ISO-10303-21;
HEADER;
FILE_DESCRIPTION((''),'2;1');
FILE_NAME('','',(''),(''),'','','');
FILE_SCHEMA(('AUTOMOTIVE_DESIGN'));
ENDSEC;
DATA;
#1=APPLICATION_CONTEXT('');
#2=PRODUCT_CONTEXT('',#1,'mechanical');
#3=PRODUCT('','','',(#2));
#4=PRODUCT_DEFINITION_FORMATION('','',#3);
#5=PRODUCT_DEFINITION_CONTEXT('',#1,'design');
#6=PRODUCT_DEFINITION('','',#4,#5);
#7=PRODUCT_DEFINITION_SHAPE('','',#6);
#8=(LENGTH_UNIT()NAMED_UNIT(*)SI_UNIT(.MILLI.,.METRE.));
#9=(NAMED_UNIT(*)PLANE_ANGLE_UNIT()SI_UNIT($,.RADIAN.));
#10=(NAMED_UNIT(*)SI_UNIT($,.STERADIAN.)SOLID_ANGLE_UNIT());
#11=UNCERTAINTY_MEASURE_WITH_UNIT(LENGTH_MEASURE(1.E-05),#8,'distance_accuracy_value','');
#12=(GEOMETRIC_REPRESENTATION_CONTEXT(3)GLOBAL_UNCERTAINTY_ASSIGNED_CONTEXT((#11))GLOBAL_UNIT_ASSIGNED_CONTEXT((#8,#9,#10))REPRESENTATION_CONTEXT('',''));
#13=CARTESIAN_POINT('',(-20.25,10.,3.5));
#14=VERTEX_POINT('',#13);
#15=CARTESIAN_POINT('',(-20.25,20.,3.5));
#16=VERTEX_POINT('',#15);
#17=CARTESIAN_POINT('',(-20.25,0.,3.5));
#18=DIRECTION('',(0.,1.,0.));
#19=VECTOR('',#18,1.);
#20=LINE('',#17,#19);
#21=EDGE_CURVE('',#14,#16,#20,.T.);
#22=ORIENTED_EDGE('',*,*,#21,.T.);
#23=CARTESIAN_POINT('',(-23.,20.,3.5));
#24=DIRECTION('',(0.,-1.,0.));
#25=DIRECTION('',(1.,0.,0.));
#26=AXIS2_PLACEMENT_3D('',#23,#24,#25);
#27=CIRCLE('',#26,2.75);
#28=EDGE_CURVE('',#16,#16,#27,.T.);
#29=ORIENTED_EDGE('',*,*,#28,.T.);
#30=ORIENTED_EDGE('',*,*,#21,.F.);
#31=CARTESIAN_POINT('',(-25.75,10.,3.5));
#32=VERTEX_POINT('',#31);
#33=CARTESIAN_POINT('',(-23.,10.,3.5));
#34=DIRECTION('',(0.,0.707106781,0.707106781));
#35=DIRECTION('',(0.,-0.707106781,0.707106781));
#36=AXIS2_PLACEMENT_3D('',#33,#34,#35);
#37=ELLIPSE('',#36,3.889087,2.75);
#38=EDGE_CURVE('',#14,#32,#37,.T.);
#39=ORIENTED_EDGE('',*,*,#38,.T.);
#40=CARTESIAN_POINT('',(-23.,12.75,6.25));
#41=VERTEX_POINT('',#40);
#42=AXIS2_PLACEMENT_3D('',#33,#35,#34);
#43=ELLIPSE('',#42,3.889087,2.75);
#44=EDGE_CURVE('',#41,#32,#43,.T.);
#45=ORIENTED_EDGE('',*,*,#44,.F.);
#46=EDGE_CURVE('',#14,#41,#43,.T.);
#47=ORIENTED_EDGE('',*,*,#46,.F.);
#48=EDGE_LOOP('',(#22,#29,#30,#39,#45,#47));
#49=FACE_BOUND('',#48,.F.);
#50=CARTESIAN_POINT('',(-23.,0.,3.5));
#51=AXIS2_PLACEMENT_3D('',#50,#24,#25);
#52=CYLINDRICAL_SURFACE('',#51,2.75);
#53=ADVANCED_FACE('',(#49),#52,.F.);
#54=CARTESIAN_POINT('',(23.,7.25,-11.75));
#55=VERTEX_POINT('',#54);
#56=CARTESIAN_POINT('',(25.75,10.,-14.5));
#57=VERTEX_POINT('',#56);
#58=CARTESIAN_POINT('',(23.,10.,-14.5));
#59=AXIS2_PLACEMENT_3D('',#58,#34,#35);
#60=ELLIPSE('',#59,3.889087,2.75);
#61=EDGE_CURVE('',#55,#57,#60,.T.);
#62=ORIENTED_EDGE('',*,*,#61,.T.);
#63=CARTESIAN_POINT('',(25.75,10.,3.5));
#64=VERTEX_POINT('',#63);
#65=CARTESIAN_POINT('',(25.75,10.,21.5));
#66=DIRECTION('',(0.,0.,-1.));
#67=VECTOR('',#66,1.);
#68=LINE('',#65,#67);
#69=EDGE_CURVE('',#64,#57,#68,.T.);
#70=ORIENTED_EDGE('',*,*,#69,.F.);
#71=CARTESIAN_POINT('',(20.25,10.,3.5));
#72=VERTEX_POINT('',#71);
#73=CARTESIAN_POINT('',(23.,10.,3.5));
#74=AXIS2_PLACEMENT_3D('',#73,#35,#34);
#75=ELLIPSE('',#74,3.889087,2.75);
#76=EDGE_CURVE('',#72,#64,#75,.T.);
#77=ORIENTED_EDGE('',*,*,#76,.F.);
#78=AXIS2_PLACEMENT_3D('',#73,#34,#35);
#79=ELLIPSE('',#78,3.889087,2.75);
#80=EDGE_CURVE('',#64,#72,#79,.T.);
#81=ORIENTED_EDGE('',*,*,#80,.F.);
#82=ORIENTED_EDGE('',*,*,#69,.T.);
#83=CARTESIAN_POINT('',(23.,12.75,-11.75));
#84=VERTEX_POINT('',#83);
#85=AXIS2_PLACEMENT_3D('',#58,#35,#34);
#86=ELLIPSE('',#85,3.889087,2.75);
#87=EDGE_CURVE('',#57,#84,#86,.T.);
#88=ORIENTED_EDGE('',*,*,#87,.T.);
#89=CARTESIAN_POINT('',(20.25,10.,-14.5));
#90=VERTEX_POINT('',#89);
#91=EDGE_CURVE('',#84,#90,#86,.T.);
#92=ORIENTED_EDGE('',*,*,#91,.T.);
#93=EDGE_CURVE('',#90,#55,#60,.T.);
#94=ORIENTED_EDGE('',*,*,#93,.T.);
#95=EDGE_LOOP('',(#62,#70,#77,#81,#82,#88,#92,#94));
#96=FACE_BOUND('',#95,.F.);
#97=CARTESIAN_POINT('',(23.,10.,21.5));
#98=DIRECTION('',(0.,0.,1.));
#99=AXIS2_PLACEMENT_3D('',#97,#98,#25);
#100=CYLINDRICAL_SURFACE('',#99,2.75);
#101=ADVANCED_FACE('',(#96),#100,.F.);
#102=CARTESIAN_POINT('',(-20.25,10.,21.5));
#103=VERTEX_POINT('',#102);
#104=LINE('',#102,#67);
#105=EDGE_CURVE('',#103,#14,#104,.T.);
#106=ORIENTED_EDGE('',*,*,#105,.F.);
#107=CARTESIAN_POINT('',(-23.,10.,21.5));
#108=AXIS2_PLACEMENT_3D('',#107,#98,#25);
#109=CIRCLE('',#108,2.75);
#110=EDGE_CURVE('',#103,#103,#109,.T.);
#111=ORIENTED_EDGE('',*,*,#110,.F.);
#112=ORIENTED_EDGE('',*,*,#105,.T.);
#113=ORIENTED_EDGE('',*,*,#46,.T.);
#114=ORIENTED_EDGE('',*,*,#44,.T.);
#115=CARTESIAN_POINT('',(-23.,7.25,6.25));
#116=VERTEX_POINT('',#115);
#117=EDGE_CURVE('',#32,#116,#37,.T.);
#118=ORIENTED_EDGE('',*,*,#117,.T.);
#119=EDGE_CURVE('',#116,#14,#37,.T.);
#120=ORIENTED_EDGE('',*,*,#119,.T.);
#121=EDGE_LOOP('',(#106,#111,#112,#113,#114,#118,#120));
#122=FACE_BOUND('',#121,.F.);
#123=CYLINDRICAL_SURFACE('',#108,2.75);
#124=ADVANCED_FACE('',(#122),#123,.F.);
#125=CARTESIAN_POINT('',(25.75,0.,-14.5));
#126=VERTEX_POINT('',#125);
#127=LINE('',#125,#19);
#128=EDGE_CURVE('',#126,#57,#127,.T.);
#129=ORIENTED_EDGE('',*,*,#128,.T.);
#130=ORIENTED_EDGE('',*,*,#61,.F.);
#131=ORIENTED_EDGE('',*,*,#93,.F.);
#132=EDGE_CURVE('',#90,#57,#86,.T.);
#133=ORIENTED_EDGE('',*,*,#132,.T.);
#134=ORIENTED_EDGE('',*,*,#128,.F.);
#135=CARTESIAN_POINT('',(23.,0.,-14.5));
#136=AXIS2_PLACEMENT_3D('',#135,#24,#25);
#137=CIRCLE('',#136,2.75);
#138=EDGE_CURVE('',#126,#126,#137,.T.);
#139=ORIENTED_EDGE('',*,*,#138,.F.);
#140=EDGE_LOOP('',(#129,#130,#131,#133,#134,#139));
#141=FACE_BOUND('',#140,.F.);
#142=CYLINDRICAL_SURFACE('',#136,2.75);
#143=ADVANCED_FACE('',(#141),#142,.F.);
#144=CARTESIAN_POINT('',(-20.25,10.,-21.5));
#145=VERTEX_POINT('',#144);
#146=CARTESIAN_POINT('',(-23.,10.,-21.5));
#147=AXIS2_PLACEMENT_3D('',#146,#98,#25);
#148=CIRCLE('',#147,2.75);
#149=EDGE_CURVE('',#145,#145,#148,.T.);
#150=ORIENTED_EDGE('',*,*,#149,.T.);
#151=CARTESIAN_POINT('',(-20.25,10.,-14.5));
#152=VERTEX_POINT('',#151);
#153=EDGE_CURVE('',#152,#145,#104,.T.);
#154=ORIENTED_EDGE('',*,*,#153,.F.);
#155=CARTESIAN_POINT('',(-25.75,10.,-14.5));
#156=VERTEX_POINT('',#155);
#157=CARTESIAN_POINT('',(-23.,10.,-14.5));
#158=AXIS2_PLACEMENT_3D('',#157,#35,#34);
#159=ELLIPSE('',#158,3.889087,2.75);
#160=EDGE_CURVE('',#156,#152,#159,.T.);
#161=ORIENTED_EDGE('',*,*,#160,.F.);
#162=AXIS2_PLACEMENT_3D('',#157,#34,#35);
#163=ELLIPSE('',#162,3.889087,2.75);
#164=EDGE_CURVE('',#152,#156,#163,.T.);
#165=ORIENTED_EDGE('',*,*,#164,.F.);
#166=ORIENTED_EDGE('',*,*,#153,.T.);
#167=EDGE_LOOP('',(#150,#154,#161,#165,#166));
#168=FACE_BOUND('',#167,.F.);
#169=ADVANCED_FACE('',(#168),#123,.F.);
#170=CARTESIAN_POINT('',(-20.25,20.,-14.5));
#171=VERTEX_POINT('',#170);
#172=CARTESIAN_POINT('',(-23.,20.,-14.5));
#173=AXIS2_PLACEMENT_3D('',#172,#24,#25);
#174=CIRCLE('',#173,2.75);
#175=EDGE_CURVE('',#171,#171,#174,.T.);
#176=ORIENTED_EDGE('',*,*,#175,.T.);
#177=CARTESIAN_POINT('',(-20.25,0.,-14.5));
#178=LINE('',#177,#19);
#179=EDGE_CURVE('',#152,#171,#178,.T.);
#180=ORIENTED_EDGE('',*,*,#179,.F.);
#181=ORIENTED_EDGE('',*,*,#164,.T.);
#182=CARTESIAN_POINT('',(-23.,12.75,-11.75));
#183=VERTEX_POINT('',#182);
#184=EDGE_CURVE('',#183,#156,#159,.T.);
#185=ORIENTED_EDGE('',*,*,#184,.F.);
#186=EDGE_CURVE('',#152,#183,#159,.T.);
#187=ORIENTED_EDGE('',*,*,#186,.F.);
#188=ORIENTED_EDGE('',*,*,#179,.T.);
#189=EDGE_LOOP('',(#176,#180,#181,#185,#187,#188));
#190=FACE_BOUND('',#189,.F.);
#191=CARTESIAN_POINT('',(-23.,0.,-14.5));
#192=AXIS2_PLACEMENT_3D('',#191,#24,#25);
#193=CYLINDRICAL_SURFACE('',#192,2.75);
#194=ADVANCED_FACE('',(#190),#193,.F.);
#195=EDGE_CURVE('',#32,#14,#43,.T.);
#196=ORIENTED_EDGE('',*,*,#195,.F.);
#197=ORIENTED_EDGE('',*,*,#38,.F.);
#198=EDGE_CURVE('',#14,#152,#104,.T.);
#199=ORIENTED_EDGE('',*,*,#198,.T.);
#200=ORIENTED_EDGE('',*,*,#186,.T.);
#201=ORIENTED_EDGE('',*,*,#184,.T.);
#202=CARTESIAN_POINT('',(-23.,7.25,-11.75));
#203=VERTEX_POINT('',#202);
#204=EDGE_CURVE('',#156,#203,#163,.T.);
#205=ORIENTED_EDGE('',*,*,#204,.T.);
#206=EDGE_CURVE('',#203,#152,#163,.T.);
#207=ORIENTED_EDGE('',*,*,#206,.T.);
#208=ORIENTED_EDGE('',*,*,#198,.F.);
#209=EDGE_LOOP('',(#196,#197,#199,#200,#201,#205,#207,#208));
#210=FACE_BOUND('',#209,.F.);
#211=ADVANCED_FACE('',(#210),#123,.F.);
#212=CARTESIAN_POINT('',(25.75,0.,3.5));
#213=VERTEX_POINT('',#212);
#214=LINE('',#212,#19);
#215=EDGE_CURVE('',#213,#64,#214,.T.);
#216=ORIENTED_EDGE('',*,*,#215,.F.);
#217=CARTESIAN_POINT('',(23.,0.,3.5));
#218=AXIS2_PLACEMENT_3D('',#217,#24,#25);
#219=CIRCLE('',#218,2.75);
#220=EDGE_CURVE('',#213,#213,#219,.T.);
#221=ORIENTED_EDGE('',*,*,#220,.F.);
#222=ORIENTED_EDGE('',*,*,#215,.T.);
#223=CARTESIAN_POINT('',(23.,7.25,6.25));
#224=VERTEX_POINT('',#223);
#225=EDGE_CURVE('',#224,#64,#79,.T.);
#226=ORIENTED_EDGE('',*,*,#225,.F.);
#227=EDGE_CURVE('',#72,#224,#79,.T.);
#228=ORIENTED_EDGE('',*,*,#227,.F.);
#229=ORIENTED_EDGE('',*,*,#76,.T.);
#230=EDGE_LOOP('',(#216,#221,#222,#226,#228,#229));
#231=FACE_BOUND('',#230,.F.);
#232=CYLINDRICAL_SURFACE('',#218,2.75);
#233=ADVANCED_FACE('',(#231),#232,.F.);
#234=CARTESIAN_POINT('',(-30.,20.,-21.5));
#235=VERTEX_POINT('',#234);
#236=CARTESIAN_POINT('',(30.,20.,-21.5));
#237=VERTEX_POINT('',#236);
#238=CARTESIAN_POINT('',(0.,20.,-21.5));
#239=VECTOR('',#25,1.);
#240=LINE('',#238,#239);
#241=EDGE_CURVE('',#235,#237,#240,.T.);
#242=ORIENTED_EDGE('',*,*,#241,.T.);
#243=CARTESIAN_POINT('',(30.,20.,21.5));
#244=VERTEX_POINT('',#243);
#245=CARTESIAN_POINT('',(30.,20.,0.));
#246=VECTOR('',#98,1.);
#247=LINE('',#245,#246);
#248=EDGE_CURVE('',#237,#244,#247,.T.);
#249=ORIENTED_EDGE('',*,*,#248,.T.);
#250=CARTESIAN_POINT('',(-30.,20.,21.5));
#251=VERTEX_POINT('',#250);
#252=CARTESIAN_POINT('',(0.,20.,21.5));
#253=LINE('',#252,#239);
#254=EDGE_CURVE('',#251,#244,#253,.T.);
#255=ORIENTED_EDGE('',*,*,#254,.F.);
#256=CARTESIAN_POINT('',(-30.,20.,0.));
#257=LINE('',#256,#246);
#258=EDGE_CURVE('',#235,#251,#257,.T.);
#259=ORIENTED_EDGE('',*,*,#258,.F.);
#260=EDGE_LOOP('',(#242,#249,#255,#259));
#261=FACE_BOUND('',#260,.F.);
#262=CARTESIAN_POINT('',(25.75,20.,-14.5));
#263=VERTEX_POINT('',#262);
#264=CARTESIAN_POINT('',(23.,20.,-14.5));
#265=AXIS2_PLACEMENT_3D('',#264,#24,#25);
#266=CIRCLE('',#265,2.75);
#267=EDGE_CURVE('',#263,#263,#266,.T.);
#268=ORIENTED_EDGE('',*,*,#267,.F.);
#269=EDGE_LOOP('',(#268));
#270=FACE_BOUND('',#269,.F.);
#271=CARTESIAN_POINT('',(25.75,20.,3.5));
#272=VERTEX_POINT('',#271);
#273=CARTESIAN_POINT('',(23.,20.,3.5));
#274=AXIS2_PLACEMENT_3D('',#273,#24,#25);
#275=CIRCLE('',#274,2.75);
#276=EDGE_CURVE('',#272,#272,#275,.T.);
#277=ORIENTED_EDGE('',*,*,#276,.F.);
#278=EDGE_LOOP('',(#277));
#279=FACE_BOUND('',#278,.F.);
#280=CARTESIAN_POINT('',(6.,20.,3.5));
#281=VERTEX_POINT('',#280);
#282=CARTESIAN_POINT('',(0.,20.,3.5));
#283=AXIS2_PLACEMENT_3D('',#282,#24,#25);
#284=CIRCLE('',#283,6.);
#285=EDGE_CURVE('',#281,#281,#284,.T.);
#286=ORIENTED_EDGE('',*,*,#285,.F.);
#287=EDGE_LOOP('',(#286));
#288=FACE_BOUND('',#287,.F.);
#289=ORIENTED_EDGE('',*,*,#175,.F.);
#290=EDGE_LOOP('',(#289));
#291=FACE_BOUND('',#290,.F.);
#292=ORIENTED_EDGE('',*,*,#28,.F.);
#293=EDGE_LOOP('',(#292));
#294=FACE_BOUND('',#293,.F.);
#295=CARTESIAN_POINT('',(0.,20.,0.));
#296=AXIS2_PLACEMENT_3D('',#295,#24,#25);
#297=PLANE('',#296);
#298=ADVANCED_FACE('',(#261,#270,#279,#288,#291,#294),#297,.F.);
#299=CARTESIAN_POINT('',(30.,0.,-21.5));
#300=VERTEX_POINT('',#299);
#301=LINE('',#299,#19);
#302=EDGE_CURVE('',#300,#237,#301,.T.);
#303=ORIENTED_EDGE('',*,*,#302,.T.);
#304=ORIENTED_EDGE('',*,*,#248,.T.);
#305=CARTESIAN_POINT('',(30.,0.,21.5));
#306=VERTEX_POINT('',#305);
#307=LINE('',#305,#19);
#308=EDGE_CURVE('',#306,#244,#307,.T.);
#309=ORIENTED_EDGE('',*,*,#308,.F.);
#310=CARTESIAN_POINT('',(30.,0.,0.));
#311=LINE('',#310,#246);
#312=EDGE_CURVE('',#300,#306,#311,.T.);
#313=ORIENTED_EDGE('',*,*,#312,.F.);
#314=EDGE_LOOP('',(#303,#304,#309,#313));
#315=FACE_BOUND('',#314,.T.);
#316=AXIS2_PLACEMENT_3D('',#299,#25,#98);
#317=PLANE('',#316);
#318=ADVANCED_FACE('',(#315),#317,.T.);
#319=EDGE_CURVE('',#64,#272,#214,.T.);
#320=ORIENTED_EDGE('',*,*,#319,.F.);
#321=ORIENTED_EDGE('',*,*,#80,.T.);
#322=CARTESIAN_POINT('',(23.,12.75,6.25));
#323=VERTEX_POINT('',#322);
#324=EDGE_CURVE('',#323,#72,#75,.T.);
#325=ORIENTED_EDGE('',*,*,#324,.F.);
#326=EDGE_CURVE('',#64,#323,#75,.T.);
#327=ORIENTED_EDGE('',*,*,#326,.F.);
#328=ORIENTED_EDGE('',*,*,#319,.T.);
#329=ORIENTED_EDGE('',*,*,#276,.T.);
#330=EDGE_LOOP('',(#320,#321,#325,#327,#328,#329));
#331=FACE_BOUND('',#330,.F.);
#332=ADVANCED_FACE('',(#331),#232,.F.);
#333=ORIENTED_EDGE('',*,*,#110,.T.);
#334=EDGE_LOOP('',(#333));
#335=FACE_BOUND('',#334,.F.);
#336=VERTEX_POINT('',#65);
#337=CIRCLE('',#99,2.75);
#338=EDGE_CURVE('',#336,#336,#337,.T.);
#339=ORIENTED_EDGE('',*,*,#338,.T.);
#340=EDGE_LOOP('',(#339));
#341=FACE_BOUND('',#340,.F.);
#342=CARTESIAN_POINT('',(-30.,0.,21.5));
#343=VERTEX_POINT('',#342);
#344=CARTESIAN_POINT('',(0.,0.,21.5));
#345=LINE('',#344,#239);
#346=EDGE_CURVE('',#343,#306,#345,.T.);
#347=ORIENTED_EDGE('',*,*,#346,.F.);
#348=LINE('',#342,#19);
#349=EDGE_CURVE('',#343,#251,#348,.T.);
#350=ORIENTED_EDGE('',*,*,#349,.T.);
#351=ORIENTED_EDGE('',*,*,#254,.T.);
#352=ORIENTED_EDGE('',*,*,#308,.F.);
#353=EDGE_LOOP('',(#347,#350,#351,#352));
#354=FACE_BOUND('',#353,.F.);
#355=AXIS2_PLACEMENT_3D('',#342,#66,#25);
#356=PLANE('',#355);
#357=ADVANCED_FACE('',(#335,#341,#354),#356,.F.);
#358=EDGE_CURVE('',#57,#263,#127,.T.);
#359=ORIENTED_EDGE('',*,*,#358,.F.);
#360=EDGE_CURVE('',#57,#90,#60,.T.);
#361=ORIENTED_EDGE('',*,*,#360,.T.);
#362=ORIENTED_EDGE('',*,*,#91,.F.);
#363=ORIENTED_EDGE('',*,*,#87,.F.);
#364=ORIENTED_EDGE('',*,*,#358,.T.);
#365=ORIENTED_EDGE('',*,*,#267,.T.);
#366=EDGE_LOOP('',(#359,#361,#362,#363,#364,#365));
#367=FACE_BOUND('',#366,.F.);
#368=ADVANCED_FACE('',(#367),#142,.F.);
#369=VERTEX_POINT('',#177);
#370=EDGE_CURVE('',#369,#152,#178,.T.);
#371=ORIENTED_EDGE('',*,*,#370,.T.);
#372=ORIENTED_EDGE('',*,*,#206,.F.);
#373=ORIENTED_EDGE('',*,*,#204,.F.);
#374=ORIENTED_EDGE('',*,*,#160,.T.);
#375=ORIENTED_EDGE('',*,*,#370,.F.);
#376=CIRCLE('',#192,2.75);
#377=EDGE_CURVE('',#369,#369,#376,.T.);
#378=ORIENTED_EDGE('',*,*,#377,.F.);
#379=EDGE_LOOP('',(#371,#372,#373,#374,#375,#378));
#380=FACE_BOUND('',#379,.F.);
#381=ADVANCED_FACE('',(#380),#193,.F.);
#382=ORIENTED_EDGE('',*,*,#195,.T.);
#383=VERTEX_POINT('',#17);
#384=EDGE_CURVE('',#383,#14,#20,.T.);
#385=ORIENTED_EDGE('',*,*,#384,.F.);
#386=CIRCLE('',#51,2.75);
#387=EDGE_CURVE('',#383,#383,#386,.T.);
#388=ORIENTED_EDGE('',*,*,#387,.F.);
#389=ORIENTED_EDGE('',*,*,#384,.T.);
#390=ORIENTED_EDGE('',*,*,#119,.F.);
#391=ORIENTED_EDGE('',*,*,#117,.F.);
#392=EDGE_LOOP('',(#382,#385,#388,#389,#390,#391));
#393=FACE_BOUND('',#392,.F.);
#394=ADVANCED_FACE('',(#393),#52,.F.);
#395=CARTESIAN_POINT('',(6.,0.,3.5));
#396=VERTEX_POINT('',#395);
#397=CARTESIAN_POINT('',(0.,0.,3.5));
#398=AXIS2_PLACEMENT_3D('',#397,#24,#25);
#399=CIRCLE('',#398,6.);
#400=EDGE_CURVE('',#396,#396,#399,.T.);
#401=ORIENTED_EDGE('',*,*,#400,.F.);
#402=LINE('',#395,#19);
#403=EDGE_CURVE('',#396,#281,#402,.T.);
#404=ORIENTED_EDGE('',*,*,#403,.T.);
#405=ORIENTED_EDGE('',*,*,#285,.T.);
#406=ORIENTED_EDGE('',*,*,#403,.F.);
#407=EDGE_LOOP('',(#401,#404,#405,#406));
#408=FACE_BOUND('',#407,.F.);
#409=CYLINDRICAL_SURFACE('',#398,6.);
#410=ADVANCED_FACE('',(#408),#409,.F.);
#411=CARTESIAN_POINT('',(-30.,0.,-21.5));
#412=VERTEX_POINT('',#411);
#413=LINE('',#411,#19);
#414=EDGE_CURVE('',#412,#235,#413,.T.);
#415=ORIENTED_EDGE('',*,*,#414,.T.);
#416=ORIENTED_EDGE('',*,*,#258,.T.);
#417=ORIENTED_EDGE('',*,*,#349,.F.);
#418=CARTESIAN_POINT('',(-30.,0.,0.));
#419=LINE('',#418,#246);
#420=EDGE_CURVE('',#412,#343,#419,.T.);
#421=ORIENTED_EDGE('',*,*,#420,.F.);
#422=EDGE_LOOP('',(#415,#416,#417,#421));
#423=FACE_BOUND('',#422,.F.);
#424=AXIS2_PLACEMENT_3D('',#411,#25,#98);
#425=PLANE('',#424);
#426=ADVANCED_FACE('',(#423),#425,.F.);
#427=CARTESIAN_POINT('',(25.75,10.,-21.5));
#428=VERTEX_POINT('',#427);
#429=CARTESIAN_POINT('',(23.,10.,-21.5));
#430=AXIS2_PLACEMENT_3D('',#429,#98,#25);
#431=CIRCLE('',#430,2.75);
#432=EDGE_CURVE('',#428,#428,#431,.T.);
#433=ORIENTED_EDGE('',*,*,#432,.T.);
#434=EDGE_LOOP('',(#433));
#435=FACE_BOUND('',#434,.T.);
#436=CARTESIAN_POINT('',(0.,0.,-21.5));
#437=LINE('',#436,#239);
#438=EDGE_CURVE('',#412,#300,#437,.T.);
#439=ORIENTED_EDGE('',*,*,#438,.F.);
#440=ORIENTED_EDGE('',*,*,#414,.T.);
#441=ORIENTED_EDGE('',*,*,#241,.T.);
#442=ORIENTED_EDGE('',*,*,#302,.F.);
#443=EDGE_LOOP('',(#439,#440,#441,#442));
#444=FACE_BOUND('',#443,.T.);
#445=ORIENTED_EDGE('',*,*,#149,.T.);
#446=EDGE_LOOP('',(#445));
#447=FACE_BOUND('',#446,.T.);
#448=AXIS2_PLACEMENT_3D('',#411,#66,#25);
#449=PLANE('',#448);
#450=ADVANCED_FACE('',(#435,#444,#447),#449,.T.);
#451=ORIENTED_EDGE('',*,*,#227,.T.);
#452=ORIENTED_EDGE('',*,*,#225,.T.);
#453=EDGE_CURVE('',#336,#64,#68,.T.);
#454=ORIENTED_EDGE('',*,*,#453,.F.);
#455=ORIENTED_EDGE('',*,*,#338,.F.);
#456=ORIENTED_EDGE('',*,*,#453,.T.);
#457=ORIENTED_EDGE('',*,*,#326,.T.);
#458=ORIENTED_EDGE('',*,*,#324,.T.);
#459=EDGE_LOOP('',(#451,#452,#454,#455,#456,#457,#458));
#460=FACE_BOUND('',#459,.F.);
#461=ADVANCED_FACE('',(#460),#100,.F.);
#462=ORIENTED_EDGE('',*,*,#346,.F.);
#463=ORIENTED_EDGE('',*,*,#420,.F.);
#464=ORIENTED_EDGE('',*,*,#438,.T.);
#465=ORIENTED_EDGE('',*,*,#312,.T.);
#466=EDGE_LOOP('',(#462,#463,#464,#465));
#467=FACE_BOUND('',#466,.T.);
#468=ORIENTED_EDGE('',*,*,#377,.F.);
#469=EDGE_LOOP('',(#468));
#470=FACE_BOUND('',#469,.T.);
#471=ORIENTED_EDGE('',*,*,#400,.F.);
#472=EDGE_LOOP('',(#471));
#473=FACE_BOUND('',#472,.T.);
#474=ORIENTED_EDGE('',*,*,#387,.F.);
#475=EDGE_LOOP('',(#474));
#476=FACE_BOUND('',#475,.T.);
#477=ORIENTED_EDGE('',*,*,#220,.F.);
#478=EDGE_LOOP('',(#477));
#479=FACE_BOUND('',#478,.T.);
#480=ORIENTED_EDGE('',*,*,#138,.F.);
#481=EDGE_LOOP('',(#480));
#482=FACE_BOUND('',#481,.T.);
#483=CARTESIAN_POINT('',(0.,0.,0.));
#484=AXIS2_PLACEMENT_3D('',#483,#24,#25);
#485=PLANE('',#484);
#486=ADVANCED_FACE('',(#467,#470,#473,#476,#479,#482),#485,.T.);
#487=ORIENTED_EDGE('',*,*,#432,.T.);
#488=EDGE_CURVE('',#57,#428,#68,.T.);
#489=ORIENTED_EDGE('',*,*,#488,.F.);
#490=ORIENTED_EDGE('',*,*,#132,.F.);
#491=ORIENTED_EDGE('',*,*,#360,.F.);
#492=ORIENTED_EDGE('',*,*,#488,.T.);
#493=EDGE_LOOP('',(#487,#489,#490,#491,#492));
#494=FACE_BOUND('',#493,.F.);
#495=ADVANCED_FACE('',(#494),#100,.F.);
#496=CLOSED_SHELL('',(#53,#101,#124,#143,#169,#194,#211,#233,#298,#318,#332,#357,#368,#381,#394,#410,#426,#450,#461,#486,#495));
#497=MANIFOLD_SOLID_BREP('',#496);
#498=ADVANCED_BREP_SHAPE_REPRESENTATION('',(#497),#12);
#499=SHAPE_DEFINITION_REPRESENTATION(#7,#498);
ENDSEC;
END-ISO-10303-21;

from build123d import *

# Parameters (mm, degrees)
F0_W     = 60
F0_H     = 43
F0_R     = 6
F1_DEPTH = 20
F2_R     = 2.75
F3_DEPTH = 43.001
F4_R     = 2.75
F5_DEPTH = 20.001


with BuildPart() as f1:
    # F0 (on Front) → F1 (new body)
    with BuildSketch(Plane.XZ):
        Rectangle(F0_W, F0_H)
        with Locations((0, 3.5)):
            Circle(F0_R, mode=Mode.SUBTRACT)
    extrude(amount=-F1_DEPTH)

    # F2 (on face) → F3 (cut, through all)
    with BuildSketch(Plane.XY.offset(21.5)):
        with Locations((-23, 10)):
            Circle(F2_R)
        with Locations((23, 10)):
            Circle(F2_R)
    extrude(amount=-F3_DEPTH, mode=Mode.SUBTRACT)

    # F4 (on face) → F5 (cut, through all)
    with BuildSketch(Plane.XZ):
        with Locations((23, 3.5)):
            Circle(F4_R)
        with Locations((-23, -14.5)):
            Circle(F4_R)
        with Locations((23, -14.5)):
            Circle(F4_R)
        with Locations((-23, 3.5)):
            Circle(F4_R)
    extrude(amount=-F5_DEPTH, mode=Mode.SUBTRACT)


solid = f1.part
